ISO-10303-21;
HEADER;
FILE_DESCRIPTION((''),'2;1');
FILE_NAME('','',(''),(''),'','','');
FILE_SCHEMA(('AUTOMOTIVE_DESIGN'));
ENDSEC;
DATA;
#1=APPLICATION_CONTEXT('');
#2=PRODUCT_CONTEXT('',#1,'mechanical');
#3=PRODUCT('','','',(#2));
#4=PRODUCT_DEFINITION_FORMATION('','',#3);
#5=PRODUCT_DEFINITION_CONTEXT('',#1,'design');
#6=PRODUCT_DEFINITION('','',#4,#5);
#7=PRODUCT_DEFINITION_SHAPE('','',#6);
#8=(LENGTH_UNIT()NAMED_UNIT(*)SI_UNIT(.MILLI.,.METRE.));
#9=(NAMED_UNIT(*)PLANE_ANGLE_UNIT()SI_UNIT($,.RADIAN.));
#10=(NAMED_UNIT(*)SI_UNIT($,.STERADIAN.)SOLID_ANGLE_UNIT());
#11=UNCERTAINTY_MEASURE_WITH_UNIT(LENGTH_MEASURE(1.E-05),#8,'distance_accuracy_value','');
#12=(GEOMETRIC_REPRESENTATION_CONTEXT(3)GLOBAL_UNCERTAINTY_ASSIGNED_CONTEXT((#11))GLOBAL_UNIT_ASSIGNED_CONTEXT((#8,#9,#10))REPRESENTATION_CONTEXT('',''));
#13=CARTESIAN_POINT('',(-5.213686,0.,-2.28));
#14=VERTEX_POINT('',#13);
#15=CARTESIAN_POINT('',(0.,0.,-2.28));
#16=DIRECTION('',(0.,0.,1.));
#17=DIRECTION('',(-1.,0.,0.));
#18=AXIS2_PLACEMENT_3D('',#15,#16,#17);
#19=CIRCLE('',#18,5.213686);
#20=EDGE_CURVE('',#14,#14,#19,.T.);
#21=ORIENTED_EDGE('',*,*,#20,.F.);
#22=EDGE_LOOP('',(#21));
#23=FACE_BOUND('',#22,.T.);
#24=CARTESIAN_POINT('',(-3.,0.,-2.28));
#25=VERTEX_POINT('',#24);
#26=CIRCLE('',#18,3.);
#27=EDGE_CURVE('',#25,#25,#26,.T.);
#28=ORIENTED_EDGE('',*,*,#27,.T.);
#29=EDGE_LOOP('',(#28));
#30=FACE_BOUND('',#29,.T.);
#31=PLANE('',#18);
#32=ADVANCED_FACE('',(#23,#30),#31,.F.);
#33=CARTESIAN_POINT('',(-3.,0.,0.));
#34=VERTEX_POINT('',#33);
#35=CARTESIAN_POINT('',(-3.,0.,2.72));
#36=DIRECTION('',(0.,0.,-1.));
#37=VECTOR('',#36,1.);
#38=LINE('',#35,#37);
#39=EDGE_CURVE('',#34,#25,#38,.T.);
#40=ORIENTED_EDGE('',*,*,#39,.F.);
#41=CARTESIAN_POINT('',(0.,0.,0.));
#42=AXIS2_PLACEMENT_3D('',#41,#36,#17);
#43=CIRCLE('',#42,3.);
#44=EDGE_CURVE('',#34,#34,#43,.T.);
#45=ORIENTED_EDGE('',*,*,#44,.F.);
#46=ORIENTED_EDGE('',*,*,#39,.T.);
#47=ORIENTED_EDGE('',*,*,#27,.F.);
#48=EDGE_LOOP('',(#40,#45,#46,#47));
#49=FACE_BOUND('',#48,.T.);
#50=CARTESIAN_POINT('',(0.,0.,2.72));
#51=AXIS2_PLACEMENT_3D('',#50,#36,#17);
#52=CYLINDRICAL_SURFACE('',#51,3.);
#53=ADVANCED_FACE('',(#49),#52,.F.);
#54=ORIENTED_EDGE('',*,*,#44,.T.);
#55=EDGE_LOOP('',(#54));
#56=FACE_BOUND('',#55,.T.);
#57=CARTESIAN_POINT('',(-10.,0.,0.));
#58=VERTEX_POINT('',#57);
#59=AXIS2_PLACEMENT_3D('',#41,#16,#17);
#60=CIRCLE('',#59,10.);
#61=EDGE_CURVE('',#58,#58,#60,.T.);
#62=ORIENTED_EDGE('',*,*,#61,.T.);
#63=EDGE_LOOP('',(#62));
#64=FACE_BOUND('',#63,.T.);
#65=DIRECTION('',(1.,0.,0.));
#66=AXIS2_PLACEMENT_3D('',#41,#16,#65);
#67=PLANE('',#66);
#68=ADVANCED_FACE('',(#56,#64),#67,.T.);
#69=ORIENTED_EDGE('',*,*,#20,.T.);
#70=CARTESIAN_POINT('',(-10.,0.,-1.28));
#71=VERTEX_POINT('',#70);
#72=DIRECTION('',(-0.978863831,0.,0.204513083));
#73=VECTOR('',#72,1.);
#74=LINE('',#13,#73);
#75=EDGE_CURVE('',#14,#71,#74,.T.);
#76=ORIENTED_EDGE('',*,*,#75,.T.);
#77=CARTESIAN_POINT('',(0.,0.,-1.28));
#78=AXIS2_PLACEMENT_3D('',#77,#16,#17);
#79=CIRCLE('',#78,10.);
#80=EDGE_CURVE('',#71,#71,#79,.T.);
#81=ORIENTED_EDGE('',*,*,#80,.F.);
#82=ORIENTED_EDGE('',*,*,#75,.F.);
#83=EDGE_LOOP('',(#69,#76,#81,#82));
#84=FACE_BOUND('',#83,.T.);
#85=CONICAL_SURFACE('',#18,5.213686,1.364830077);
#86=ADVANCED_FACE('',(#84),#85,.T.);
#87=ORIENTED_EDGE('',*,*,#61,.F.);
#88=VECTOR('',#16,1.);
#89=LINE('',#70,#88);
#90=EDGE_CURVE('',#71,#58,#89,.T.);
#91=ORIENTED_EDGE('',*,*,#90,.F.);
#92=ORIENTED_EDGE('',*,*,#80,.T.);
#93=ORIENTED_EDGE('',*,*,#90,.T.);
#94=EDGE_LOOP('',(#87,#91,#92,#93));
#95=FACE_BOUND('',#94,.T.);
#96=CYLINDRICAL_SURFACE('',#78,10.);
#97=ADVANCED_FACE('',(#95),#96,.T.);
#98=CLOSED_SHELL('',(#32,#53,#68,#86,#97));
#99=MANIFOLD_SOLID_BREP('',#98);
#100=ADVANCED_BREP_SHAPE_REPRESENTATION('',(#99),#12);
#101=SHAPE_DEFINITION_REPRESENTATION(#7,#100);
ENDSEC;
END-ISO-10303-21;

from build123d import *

# Parameters (mm, degrees)
CYLINDER_R                     = 15
CYLINDER_DEPTH                 = 10
REVOLVE_ONTO_SKETCH_ROLL_ANGLE = 90


with BuildPart() as cylinder:
    # Cylinder → Cylinder (new body)
    with BuildSketch(Plane.XY):
        Circle(CYLINDER_R)
    extrude(amount=CYLINDER_DEPTH)


with BuildPart() as cut_float:
    # Sketch as drawn → Revolve (revolve)
    with BuildSketch(Plane.XY):
        Polygon((-3, 0), (-5.213686, 0), (-10, 1), (-10, 5), (-3, 5), align=None)
    revolve(axis=Axis((0, 0, 0), (0, 1, 0)))


with BuildPart() as cut_float_1:
    # Revolve onto Sketch roll: moved
    add(cut_float.part.rotate(Axis((0, 0, 0), (1, 0, 0)), REVOLVE_ONTO_SKETCH_ROLL_ANGLE))


with BuildPart() as cut_float_2:
    # Revolve onto Sketch placement: moved
    add(cut_float_1.part)


with BuildPart() as cut_float_3:
    # Revolve placement: moved
    add(cut_float_2.part.moved(Location((0, 0, -2.28))))

    # Cut: cut Cylinder
    add(cylinder.part, mode=Mode.SUBTRACT)


solid = cut_float_3.part
